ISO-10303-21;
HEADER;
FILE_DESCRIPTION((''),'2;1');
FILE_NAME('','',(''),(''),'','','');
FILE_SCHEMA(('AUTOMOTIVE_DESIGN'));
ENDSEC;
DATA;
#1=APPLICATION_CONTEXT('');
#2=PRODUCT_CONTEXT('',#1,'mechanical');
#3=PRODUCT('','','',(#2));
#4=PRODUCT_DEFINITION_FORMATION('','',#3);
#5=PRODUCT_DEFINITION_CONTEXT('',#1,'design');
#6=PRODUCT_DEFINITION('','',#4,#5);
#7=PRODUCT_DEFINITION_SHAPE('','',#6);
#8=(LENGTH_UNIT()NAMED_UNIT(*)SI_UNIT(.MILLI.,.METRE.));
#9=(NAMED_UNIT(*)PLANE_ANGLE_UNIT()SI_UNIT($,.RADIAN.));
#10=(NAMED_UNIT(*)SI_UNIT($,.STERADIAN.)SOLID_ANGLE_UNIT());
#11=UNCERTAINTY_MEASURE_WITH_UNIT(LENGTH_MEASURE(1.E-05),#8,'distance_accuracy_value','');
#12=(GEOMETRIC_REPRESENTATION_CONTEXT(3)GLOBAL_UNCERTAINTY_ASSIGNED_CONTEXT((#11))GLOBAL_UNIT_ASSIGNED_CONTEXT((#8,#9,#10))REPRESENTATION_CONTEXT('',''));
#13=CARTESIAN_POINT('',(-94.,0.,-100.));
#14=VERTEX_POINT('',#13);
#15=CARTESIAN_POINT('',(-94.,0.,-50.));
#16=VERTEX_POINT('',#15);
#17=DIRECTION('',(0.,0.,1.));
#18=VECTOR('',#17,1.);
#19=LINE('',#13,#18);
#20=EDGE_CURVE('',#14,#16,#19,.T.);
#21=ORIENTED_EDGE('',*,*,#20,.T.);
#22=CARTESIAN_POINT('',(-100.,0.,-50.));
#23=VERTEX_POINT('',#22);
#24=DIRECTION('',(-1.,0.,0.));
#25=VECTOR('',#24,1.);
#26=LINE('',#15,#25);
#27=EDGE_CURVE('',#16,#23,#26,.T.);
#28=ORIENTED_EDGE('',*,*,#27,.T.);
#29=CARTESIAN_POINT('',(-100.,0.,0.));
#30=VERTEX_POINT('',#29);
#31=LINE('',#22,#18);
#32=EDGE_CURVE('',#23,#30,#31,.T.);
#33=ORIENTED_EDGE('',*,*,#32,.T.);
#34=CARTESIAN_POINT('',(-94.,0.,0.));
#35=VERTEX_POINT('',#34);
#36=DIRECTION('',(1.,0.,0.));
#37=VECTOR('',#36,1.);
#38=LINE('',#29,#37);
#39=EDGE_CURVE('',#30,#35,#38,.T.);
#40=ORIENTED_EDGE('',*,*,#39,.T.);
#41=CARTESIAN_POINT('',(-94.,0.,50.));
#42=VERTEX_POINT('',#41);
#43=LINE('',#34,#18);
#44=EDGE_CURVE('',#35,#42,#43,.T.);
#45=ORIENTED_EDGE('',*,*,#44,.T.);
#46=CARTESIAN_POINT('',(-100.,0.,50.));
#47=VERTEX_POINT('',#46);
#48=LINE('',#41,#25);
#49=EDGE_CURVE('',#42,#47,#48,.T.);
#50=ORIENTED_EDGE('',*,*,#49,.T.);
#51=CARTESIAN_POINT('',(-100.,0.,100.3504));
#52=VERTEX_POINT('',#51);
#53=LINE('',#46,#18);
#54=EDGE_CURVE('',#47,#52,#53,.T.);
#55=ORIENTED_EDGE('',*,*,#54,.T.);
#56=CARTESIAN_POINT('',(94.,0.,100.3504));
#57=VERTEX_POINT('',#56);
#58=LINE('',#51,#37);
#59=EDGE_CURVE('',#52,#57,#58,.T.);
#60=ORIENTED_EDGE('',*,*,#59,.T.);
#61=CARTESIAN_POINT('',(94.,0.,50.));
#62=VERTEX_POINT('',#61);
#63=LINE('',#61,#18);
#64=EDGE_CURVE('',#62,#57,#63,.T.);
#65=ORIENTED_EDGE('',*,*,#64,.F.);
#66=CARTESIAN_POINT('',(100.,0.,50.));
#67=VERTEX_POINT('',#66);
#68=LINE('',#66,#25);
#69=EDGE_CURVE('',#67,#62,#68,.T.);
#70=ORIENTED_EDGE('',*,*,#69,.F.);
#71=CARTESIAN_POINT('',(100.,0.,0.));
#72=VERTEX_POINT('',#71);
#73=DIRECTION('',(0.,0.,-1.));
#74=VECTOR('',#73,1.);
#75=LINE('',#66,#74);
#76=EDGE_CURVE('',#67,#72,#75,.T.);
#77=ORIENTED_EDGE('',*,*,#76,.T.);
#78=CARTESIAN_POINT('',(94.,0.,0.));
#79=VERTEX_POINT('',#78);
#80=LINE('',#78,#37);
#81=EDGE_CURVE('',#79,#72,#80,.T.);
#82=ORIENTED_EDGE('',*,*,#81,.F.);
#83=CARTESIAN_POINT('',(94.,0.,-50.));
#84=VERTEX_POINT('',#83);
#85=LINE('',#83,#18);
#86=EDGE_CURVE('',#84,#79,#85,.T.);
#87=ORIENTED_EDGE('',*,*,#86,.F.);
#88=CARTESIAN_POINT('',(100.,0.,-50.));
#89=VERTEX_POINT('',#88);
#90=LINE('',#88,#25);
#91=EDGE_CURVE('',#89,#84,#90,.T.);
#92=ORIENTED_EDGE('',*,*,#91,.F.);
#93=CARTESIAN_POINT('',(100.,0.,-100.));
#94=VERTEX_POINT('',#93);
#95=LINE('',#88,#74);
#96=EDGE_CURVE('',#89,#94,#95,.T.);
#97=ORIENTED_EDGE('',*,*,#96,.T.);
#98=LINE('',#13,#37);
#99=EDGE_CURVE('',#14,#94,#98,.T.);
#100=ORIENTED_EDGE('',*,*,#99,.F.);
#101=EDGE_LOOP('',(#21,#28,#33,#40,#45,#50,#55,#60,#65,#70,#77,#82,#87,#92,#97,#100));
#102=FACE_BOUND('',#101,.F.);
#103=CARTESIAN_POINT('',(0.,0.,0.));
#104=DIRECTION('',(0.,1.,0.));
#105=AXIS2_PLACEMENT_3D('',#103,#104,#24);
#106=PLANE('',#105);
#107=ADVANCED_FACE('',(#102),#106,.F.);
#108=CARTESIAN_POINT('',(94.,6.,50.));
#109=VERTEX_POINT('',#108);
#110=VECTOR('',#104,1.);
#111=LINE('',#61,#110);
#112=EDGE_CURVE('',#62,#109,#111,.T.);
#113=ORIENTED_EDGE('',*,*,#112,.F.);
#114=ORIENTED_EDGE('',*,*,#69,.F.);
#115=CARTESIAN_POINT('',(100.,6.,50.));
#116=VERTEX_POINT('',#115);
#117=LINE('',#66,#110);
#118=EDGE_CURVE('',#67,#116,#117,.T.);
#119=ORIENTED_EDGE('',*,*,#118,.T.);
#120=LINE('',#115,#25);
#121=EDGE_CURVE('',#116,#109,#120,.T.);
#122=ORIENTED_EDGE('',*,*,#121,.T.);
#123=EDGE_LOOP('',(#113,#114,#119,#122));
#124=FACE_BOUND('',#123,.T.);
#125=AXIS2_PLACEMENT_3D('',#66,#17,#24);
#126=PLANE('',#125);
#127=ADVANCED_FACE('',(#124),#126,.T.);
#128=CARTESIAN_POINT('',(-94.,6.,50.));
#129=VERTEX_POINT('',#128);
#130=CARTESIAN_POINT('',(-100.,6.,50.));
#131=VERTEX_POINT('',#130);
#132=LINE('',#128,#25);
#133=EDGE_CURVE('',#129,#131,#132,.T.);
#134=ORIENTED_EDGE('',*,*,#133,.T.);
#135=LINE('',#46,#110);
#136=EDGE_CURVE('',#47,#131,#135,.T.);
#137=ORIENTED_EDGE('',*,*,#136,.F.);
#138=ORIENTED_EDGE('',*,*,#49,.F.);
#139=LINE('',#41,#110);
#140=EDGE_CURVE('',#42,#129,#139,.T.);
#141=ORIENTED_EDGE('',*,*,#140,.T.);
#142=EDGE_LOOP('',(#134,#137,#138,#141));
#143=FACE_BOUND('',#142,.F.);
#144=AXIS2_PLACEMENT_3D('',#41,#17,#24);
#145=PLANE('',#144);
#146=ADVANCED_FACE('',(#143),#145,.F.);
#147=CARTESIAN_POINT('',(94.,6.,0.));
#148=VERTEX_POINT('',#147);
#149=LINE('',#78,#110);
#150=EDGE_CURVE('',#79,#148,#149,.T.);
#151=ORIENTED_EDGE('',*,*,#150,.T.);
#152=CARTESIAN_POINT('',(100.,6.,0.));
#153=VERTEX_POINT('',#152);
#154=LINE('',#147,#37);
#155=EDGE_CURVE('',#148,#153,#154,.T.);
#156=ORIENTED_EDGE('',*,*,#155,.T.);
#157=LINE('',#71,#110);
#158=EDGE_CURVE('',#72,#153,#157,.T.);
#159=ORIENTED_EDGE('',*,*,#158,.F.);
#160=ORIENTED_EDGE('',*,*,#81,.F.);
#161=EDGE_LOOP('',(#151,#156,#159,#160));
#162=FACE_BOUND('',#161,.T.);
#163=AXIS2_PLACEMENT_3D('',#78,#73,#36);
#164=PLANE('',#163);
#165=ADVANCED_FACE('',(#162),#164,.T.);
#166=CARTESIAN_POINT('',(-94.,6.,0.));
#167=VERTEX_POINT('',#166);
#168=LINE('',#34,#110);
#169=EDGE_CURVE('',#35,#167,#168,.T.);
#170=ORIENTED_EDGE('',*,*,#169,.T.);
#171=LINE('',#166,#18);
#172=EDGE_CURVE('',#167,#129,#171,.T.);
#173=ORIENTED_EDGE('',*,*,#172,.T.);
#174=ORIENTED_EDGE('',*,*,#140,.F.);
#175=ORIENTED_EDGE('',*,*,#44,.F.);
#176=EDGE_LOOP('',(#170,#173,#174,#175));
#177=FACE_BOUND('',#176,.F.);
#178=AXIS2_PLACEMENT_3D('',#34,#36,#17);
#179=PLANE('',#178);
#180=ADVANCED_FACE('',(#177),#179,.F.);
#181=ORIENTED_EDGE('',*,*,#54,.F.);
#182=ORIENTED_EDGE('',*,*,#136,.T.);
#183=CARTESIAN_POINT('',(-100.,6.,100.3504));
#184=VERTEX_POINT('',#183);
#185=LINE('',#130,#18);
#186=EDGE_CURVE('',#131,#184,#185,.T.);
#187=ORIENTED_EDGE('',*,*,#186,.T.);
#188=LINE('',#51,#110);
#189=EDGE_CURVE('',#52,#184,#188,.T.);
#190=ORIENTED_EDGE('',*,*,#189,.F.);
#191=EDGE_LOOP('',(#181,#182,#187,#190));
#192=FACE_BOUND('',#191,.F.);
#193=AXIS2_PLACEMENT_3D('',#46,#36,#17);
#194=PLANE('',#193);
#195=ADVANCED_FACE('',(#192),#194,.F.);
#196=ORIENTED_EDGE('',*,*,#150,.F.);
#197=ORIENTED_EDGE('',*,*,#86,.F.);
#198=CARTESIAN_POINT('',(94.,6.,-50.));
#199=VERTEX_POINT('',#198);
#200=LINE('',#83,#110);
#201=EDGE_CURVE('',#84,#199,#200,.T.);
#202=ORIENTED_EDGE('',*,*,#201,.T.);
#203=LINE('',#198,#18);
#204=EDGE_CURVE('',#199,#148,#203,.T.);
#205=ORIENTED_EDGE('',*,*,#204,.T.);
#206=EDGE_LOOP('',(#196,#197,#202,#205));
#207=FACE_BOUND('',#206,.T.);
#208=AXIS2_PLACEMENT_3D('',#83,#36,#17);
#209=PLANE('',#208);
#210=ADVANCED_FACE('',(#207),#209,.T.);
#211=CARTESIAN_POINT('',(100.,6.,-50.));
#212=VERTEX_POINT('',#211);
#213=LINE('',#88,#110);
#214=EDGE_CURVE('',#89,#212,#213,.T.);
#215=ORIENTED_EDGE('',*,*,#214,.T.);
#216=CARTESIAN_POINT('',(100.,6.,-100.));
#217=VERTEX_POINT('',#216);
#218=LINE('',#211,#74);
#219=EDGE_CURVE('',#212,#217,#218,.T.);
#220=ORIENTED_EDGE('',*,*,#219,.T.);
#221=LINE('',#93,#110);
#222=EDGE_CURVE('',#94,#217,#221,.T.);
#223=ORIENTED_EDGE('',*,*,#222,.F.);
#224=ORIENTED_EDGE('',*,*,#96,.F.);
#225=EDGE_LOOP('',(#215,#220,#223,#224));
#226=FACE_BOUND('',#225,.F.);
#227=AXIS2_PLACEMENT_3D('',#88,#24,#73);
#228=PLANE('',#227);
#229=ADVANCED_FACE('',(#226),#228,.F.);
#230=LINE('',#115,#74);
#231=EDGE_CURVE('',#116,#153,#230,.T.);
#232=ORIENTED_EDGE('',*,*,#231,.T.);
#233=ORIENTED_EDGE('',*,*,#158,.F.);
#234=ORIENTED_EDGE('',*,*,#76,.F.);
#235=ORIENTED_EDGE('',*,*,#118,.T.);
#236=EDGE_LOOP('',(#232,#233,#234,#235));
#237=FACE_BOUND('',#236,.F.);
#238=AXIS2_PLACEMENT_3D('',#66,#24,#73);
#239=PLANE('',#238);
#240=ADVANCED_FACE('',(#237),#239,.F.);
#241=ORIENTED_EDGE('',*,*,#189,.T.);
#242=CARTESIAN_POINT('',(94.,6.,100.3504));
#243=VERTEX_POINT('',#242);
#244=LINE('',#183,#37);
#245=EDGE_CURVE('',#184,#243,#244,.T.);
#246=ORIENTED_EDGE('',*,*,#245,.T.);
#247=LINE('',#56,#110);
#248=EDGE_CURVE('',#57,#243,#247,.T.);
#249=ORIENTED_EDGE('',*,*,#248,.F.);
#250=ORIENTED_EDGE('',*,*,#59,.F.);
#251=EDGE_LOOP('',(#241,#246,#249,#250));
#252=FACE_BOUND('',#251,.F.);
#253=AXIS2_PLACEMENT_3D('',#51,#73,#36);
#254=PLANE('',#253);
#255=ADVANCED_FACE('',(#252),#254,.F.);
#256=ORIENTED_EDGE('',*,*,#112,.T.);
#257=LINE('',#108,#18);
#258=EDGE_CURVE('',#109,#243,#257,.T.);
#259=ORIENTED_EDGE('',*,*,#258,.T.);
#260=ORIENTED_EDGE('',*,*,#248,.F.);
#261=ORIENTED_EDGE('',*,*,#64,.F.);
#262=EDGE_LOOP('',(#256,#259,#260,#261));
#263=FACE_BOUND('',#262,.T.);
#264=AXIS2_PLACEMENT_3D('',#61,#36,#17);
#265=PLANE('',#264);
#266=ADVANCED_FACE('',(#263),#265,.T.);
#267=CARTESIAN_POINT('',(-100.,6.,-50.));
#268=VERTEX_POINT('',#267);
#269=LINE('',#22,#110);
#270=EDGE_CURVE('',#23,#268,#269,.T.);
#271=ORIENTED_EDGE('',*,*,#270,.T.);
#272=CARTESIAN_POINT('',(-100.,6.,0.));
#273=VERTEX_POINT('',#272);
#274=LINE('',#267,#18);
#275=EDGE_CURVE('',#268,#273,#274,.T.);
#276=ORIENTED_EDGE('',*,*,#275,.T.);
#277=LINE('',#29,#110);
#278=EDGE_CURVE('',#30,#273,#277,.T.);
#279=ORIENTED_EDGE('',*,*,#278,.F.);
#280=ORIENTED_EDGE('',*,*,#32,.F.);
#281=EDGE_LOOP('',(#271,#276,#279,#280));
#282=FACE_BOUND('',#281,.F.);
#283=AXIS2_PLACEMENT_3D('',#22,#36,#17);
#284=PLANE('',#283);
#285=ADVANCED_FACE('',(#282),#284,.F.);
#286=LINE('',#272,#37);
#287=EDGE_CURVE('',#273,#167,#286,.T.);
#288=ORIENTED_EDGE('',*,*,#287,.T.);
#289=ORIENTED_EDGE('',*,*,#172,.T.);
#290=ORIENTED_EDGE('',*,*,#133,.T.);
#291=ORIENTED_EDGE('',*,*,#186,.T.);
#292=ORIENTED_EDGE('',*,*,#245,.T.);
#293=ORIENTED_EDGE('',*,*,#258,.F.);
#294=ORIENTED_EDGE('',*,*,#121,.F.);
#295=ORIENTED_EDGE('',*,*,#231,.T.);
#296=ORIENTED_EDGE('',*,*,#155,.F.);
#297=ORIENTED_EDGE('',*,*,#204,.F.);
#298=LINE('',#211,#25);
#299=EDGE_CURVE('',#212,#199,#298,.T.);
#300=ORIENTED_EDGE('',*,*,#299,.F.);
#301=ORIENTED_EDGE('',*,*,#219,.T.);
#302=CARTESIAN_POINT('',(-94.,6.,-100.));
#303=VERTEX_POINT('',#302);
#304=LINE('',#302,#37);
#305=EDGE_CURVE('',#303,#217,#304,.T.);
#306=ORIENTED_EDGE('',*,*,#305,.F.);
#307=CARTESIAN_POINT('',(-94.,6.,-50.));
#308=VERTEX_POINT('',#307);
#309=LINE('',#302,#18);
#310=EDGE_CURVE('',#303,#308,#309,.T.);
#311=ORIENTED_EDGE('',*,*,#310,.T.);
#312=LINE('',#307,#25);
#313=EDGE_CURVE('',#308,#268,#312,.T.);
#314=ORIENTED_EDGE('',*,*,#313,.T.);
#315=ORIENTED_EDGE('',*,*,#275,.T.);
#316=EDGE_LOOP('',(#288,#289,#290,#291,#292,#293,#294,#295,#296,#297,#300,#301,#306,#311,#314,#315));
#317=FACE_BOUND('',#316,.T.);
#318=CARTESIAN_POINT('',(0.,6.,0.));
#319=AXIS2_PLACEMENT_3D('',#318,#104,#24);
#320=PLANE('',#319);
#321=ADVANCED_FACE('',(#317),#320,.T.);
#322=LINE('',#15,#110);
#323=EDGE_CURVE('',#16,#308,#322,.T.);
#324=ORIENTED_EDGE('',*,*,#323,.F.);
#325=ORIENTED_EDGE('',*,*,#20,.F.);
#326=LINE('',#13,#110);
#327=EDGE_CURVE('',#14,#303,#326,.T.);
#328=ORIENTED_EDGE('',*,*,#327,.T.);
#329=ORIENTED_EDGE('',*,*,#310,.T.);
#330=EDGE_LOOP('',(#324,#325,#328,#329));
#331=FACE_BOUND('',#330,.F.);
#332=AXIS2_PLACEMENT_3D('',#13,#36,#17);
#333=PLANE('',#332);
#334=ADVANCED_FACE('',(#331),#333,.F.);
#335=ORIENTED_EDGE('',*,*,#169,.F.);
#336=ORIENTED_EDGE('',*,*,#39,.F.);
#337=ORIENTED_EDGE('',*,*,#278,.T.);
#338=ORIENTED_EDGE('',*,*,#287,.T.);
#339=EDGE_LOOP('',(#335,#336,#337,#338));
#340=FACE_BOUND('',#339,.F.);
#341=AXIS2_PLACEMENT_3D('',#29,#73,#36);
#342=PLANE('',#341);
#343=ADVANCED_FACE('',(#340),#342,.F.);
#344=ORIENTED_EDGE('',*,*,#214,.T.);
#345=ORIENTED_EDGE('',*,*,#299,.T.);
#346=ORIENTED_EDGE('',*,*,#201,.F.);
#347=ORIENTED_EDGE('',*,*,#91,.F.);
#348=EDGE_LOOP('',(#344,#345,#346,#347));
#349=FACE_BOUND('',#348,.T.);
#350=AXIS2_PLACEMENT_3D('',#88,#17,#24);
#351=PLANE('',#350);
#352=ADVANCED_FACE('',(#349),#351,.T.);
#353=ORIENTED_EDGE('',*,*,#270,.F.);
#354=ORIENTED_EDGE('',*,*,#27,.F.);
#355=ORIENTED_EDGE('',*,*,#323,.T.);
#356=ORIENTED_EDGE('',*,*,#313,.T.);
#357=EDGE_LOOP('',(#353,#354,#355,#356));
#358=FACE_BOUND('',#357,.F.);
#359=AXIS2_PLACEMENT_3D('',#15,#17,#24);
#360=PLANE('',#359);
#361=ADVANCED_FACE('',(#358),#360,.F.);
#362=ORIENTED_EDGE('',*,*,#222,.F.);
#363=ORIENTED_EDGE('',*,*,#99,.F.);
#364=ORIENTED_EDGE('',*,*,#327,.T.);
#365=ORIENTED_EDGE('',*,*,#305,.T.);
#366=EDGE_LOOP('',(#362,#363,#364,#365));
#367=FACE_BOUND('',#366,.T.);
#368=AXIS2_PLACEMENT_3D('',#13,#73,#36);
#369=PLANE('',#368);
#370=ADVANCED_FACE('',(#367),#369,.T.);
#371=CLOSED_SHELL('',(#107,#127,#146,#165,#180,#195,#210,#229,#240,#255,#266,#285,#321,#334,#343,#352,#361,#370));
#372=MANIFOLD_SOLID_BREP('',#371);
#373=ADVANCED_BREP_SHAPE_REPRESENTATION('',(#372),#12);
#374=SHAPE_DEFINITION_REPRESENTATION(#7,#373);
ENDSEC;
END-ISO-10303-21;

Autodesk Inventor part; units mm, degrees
ref_plane "YZ Plane" through (0, 0, 0) normal (1, 0, 0) x (0, 1, 0)
ref_plane "XZ Plane" through (0, 0, 0) normal (0, 1, 0) x (-1, 0, 0)
ref_plane "XY Plane" through (0, 0, 0) normal (0, 0, 1) x (1, 0, 0)
sketch "Sketch1" plane through (0, 0, 0) normal (0, 1, 0) x (-1, 0, 0)
  line L0 (100, 100.3504) -> (-94, 100.3504)
  line L1 (94, -100) -> (94, -50)
  line L2 (94, -50) -> (100, -50)
  line L3 (100, 0) -> (94, 0)
  line L4 (-100, -50) -> (-94, -50)
  line L5 (-94, -50) -> (-94, 0)
  line L6 (-94, 0) -> (-100, 0)
  line L7 (94, 0) -> (94, 50)
  line L8 (94, 50) -> (100, 50)
  line L9 (94, 0) -> (100, 0)
  line L10 (-100, 50) -> (-94, 50)
  line L11 (-94, 50) -> (-94, 100.3504)
  line L12 (94, -100) -> (-100, -100)
  line L13 (100, -50) -> (100, 0)
  line L14 (100, 50) -> (100, 100.3504)
  line L15 (-100, 50) -> (-100, 0)
  line L16 (-100, -50) -> (-100, -100)
  point P0 (0, 0)
  dimension "d23" = 50
  dimension "d25" = 6
  dimension "d26" = 50
  dimension "d27" = 50
extrude "Extrusion2" add sketch "Sketch1" along normal blind 6
properties part number "simple wall test"
